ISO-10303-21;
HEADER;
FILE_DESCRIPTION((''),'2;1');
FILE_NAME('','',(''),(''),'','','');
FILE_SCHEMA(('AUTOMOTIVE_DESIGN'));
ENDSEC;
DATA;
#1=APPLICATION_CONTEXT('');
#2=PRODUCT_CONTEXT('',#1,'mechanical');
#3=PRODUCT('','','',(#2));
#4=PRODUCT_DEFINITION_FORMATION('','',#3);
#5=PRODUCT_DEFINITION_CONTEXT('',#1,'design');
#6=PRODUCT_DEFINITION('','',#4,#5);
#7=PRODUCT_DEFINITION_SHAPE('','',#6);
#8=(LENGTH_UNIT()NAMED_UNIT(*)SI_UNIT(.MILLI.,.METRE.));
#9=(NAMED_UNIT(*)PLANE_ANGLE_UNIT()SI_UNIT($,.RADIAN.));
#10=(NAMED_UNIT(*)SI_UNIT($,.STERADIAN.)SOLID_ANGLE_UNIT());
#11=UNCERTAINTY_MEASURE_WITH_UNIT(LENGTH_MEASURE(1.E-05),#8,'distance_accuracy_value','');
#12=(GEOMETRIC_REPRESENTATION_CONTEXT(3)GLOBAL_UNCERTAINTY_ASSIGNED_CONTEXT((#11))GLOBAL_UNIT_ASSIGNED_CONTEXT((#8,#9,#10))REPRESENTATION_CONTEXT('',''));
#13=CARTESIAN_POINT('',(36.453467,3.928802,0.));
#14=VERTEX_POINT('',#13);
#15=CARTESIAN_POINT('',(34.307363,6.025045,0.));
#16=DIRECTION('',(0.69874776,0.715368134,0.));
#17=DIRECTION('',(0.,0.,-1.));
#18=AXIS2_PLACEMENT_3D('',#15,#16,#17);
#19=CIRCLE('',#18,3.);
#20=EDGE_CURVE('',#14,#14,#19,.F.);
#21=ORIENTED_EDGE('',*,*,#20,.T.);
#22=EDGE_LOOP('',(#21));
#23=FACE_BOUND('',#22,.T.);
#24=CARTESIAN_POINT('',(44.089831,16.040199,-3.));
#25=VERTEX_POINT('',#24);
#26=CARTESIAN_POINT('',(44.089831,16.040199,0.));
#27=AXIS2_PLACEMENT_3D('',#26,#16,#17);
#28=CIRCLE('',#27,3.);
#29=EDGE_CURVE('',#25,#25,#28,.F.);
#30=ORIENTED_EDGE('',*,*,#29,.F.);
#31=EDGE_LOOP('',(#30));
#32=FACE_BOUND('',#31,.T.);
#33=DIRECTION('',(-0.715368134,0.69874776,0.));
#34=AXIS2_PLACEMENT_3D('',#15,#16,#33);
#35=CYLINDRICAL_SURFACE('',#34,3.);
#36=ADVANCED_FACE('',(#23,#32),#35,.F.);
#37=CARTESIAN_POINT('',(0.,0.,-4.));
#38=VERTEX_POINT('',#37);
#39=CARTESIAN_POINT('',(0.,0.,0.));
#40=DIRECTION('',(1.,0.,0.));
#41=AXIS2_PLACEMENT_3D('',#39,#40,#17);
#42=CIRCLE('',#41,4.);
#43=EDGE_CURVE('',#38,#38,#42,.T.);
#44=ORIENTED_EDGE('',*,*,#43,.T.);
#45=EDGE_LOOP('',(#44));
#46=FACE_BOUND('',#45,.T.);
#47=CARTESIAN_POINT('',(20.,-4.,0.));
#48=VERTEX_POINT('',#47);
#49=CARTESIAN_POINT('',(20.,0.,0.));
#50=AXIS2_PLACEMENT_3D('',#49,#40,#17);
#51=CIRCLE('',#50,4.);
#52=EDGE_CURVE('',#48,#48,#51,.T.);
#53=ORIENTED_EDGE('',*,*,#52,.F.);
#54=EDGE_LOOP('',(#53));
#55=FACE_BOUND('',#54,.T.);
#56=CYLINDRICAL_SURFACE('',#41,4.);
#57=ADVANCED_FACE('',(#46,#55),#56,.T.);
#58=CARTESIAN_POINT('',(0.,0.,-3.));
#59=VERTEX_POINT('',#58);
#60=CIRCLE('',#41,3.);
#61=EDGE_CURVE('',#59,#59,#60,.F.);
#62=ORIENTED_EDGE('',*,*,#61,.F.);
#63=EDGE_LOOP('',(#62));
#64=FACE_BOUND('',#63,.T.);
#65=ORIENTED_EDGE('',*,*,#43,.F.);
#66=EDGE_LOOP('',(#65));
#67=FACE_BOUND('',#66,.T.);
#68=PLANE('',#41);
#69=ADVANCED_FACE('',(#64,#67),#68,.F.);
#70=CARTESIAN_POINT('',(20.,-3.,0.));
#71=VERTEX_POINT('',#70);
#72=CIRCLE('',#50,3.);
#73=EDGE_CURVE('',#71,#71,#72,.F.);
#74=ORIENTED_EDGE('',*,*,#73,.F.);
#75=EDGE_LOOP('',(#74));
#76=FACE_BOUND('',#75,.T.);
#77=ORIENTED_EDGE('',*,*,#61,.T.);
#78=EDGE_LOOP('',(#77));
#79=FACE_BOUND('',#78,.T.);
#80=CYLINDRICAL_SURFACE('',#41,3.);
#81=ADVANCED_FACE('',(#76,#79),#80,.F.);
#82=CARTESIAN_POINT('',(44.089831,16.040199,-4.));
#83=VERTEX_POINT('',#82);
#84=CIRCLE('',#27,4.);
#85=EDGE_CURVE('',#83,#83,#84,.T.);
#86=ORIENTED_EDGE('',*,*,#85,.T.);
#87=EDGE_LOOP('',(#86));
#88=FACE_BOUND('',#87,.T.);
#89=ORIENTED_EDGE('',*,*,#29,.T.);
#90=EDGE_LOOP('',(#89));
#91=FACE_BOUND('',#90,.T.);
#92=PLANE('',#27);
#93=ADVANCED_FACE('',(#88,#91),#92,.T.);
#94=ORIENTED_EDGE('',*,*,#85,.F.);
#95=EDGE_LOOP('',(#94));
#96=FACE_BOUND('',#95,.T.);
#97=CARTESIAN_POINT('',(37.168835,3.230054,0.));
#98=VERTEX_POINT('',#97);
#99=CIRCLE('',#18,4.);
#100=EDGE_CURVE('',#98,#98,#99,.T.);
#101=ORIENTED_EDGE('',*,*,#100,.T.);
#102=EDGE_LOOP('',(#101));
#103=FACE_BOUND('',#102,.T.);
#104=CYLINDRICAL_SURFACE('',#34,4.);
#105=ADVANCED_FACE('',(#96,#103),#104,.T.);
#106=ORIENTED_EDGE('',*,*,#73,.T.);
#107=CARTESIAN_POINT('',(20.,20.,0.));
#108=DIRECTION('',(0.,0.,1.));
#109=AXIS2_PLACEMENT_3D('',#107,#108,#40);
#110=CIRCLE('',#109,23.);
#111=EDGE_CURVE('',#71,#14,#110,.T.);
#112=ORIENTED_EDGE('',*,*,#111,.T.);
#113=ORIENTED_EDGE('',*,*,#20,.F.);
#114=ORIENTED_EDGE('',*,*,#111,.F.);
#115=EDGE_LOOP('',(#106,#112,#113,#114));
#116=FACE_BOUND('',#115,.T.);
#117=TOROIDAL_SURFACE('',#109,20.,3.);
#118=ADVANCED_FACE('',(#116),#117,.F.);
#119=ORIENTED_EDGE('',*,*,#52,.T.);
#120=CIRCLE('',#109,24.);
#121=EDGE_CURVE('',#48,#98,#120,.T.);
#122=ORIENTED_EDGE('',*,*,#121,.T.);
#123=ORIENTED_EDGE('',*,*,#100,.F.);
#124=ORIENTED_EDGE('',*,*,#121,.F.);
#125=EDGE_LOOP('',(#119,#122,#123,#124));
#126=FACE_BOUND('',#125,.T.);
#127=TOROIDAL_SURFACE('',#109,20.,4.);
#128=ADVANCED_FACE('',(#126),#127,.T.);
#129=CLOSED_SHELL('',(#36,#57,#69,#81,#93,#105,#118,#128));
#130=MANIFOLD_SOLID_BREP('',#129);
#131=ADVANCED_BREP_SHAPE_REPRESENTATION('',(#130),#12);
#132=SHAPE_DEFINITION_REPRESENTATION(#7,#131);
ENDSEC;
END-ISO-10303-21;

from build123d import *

# Parameters (mm, degrees)
SKETCH_2_R   = 4
SKETCH_2_R_2 = 3


with BuildPart() as part:
    # По траектории1: sweep along a path in Эскиз1
    with BuildLine(Plane.XY) as sweep_1_path:
        Line((0, 0), (20, 0))
        ThreePointArc((20, 0), (27.762116202, 1.567703559), (34.307362683, 6.025044793))
        Line((34.307362683, 6.025044793), (44.089831328, 16.040198671))
    # Эскиз2 → По траектории1 (sweep)
    with BuildSketch(Plane(origin=(0, 0, 0), x_dir=(0, 0, -1), z_dir=(1, 0, 0))):
        Circle(SKETCH_2_R)
        Circle(SKETCH_2_R_2, mode=Mode.SUBTRACT)
    sweep(path=sweep_1_path.line)


solid = part.part
